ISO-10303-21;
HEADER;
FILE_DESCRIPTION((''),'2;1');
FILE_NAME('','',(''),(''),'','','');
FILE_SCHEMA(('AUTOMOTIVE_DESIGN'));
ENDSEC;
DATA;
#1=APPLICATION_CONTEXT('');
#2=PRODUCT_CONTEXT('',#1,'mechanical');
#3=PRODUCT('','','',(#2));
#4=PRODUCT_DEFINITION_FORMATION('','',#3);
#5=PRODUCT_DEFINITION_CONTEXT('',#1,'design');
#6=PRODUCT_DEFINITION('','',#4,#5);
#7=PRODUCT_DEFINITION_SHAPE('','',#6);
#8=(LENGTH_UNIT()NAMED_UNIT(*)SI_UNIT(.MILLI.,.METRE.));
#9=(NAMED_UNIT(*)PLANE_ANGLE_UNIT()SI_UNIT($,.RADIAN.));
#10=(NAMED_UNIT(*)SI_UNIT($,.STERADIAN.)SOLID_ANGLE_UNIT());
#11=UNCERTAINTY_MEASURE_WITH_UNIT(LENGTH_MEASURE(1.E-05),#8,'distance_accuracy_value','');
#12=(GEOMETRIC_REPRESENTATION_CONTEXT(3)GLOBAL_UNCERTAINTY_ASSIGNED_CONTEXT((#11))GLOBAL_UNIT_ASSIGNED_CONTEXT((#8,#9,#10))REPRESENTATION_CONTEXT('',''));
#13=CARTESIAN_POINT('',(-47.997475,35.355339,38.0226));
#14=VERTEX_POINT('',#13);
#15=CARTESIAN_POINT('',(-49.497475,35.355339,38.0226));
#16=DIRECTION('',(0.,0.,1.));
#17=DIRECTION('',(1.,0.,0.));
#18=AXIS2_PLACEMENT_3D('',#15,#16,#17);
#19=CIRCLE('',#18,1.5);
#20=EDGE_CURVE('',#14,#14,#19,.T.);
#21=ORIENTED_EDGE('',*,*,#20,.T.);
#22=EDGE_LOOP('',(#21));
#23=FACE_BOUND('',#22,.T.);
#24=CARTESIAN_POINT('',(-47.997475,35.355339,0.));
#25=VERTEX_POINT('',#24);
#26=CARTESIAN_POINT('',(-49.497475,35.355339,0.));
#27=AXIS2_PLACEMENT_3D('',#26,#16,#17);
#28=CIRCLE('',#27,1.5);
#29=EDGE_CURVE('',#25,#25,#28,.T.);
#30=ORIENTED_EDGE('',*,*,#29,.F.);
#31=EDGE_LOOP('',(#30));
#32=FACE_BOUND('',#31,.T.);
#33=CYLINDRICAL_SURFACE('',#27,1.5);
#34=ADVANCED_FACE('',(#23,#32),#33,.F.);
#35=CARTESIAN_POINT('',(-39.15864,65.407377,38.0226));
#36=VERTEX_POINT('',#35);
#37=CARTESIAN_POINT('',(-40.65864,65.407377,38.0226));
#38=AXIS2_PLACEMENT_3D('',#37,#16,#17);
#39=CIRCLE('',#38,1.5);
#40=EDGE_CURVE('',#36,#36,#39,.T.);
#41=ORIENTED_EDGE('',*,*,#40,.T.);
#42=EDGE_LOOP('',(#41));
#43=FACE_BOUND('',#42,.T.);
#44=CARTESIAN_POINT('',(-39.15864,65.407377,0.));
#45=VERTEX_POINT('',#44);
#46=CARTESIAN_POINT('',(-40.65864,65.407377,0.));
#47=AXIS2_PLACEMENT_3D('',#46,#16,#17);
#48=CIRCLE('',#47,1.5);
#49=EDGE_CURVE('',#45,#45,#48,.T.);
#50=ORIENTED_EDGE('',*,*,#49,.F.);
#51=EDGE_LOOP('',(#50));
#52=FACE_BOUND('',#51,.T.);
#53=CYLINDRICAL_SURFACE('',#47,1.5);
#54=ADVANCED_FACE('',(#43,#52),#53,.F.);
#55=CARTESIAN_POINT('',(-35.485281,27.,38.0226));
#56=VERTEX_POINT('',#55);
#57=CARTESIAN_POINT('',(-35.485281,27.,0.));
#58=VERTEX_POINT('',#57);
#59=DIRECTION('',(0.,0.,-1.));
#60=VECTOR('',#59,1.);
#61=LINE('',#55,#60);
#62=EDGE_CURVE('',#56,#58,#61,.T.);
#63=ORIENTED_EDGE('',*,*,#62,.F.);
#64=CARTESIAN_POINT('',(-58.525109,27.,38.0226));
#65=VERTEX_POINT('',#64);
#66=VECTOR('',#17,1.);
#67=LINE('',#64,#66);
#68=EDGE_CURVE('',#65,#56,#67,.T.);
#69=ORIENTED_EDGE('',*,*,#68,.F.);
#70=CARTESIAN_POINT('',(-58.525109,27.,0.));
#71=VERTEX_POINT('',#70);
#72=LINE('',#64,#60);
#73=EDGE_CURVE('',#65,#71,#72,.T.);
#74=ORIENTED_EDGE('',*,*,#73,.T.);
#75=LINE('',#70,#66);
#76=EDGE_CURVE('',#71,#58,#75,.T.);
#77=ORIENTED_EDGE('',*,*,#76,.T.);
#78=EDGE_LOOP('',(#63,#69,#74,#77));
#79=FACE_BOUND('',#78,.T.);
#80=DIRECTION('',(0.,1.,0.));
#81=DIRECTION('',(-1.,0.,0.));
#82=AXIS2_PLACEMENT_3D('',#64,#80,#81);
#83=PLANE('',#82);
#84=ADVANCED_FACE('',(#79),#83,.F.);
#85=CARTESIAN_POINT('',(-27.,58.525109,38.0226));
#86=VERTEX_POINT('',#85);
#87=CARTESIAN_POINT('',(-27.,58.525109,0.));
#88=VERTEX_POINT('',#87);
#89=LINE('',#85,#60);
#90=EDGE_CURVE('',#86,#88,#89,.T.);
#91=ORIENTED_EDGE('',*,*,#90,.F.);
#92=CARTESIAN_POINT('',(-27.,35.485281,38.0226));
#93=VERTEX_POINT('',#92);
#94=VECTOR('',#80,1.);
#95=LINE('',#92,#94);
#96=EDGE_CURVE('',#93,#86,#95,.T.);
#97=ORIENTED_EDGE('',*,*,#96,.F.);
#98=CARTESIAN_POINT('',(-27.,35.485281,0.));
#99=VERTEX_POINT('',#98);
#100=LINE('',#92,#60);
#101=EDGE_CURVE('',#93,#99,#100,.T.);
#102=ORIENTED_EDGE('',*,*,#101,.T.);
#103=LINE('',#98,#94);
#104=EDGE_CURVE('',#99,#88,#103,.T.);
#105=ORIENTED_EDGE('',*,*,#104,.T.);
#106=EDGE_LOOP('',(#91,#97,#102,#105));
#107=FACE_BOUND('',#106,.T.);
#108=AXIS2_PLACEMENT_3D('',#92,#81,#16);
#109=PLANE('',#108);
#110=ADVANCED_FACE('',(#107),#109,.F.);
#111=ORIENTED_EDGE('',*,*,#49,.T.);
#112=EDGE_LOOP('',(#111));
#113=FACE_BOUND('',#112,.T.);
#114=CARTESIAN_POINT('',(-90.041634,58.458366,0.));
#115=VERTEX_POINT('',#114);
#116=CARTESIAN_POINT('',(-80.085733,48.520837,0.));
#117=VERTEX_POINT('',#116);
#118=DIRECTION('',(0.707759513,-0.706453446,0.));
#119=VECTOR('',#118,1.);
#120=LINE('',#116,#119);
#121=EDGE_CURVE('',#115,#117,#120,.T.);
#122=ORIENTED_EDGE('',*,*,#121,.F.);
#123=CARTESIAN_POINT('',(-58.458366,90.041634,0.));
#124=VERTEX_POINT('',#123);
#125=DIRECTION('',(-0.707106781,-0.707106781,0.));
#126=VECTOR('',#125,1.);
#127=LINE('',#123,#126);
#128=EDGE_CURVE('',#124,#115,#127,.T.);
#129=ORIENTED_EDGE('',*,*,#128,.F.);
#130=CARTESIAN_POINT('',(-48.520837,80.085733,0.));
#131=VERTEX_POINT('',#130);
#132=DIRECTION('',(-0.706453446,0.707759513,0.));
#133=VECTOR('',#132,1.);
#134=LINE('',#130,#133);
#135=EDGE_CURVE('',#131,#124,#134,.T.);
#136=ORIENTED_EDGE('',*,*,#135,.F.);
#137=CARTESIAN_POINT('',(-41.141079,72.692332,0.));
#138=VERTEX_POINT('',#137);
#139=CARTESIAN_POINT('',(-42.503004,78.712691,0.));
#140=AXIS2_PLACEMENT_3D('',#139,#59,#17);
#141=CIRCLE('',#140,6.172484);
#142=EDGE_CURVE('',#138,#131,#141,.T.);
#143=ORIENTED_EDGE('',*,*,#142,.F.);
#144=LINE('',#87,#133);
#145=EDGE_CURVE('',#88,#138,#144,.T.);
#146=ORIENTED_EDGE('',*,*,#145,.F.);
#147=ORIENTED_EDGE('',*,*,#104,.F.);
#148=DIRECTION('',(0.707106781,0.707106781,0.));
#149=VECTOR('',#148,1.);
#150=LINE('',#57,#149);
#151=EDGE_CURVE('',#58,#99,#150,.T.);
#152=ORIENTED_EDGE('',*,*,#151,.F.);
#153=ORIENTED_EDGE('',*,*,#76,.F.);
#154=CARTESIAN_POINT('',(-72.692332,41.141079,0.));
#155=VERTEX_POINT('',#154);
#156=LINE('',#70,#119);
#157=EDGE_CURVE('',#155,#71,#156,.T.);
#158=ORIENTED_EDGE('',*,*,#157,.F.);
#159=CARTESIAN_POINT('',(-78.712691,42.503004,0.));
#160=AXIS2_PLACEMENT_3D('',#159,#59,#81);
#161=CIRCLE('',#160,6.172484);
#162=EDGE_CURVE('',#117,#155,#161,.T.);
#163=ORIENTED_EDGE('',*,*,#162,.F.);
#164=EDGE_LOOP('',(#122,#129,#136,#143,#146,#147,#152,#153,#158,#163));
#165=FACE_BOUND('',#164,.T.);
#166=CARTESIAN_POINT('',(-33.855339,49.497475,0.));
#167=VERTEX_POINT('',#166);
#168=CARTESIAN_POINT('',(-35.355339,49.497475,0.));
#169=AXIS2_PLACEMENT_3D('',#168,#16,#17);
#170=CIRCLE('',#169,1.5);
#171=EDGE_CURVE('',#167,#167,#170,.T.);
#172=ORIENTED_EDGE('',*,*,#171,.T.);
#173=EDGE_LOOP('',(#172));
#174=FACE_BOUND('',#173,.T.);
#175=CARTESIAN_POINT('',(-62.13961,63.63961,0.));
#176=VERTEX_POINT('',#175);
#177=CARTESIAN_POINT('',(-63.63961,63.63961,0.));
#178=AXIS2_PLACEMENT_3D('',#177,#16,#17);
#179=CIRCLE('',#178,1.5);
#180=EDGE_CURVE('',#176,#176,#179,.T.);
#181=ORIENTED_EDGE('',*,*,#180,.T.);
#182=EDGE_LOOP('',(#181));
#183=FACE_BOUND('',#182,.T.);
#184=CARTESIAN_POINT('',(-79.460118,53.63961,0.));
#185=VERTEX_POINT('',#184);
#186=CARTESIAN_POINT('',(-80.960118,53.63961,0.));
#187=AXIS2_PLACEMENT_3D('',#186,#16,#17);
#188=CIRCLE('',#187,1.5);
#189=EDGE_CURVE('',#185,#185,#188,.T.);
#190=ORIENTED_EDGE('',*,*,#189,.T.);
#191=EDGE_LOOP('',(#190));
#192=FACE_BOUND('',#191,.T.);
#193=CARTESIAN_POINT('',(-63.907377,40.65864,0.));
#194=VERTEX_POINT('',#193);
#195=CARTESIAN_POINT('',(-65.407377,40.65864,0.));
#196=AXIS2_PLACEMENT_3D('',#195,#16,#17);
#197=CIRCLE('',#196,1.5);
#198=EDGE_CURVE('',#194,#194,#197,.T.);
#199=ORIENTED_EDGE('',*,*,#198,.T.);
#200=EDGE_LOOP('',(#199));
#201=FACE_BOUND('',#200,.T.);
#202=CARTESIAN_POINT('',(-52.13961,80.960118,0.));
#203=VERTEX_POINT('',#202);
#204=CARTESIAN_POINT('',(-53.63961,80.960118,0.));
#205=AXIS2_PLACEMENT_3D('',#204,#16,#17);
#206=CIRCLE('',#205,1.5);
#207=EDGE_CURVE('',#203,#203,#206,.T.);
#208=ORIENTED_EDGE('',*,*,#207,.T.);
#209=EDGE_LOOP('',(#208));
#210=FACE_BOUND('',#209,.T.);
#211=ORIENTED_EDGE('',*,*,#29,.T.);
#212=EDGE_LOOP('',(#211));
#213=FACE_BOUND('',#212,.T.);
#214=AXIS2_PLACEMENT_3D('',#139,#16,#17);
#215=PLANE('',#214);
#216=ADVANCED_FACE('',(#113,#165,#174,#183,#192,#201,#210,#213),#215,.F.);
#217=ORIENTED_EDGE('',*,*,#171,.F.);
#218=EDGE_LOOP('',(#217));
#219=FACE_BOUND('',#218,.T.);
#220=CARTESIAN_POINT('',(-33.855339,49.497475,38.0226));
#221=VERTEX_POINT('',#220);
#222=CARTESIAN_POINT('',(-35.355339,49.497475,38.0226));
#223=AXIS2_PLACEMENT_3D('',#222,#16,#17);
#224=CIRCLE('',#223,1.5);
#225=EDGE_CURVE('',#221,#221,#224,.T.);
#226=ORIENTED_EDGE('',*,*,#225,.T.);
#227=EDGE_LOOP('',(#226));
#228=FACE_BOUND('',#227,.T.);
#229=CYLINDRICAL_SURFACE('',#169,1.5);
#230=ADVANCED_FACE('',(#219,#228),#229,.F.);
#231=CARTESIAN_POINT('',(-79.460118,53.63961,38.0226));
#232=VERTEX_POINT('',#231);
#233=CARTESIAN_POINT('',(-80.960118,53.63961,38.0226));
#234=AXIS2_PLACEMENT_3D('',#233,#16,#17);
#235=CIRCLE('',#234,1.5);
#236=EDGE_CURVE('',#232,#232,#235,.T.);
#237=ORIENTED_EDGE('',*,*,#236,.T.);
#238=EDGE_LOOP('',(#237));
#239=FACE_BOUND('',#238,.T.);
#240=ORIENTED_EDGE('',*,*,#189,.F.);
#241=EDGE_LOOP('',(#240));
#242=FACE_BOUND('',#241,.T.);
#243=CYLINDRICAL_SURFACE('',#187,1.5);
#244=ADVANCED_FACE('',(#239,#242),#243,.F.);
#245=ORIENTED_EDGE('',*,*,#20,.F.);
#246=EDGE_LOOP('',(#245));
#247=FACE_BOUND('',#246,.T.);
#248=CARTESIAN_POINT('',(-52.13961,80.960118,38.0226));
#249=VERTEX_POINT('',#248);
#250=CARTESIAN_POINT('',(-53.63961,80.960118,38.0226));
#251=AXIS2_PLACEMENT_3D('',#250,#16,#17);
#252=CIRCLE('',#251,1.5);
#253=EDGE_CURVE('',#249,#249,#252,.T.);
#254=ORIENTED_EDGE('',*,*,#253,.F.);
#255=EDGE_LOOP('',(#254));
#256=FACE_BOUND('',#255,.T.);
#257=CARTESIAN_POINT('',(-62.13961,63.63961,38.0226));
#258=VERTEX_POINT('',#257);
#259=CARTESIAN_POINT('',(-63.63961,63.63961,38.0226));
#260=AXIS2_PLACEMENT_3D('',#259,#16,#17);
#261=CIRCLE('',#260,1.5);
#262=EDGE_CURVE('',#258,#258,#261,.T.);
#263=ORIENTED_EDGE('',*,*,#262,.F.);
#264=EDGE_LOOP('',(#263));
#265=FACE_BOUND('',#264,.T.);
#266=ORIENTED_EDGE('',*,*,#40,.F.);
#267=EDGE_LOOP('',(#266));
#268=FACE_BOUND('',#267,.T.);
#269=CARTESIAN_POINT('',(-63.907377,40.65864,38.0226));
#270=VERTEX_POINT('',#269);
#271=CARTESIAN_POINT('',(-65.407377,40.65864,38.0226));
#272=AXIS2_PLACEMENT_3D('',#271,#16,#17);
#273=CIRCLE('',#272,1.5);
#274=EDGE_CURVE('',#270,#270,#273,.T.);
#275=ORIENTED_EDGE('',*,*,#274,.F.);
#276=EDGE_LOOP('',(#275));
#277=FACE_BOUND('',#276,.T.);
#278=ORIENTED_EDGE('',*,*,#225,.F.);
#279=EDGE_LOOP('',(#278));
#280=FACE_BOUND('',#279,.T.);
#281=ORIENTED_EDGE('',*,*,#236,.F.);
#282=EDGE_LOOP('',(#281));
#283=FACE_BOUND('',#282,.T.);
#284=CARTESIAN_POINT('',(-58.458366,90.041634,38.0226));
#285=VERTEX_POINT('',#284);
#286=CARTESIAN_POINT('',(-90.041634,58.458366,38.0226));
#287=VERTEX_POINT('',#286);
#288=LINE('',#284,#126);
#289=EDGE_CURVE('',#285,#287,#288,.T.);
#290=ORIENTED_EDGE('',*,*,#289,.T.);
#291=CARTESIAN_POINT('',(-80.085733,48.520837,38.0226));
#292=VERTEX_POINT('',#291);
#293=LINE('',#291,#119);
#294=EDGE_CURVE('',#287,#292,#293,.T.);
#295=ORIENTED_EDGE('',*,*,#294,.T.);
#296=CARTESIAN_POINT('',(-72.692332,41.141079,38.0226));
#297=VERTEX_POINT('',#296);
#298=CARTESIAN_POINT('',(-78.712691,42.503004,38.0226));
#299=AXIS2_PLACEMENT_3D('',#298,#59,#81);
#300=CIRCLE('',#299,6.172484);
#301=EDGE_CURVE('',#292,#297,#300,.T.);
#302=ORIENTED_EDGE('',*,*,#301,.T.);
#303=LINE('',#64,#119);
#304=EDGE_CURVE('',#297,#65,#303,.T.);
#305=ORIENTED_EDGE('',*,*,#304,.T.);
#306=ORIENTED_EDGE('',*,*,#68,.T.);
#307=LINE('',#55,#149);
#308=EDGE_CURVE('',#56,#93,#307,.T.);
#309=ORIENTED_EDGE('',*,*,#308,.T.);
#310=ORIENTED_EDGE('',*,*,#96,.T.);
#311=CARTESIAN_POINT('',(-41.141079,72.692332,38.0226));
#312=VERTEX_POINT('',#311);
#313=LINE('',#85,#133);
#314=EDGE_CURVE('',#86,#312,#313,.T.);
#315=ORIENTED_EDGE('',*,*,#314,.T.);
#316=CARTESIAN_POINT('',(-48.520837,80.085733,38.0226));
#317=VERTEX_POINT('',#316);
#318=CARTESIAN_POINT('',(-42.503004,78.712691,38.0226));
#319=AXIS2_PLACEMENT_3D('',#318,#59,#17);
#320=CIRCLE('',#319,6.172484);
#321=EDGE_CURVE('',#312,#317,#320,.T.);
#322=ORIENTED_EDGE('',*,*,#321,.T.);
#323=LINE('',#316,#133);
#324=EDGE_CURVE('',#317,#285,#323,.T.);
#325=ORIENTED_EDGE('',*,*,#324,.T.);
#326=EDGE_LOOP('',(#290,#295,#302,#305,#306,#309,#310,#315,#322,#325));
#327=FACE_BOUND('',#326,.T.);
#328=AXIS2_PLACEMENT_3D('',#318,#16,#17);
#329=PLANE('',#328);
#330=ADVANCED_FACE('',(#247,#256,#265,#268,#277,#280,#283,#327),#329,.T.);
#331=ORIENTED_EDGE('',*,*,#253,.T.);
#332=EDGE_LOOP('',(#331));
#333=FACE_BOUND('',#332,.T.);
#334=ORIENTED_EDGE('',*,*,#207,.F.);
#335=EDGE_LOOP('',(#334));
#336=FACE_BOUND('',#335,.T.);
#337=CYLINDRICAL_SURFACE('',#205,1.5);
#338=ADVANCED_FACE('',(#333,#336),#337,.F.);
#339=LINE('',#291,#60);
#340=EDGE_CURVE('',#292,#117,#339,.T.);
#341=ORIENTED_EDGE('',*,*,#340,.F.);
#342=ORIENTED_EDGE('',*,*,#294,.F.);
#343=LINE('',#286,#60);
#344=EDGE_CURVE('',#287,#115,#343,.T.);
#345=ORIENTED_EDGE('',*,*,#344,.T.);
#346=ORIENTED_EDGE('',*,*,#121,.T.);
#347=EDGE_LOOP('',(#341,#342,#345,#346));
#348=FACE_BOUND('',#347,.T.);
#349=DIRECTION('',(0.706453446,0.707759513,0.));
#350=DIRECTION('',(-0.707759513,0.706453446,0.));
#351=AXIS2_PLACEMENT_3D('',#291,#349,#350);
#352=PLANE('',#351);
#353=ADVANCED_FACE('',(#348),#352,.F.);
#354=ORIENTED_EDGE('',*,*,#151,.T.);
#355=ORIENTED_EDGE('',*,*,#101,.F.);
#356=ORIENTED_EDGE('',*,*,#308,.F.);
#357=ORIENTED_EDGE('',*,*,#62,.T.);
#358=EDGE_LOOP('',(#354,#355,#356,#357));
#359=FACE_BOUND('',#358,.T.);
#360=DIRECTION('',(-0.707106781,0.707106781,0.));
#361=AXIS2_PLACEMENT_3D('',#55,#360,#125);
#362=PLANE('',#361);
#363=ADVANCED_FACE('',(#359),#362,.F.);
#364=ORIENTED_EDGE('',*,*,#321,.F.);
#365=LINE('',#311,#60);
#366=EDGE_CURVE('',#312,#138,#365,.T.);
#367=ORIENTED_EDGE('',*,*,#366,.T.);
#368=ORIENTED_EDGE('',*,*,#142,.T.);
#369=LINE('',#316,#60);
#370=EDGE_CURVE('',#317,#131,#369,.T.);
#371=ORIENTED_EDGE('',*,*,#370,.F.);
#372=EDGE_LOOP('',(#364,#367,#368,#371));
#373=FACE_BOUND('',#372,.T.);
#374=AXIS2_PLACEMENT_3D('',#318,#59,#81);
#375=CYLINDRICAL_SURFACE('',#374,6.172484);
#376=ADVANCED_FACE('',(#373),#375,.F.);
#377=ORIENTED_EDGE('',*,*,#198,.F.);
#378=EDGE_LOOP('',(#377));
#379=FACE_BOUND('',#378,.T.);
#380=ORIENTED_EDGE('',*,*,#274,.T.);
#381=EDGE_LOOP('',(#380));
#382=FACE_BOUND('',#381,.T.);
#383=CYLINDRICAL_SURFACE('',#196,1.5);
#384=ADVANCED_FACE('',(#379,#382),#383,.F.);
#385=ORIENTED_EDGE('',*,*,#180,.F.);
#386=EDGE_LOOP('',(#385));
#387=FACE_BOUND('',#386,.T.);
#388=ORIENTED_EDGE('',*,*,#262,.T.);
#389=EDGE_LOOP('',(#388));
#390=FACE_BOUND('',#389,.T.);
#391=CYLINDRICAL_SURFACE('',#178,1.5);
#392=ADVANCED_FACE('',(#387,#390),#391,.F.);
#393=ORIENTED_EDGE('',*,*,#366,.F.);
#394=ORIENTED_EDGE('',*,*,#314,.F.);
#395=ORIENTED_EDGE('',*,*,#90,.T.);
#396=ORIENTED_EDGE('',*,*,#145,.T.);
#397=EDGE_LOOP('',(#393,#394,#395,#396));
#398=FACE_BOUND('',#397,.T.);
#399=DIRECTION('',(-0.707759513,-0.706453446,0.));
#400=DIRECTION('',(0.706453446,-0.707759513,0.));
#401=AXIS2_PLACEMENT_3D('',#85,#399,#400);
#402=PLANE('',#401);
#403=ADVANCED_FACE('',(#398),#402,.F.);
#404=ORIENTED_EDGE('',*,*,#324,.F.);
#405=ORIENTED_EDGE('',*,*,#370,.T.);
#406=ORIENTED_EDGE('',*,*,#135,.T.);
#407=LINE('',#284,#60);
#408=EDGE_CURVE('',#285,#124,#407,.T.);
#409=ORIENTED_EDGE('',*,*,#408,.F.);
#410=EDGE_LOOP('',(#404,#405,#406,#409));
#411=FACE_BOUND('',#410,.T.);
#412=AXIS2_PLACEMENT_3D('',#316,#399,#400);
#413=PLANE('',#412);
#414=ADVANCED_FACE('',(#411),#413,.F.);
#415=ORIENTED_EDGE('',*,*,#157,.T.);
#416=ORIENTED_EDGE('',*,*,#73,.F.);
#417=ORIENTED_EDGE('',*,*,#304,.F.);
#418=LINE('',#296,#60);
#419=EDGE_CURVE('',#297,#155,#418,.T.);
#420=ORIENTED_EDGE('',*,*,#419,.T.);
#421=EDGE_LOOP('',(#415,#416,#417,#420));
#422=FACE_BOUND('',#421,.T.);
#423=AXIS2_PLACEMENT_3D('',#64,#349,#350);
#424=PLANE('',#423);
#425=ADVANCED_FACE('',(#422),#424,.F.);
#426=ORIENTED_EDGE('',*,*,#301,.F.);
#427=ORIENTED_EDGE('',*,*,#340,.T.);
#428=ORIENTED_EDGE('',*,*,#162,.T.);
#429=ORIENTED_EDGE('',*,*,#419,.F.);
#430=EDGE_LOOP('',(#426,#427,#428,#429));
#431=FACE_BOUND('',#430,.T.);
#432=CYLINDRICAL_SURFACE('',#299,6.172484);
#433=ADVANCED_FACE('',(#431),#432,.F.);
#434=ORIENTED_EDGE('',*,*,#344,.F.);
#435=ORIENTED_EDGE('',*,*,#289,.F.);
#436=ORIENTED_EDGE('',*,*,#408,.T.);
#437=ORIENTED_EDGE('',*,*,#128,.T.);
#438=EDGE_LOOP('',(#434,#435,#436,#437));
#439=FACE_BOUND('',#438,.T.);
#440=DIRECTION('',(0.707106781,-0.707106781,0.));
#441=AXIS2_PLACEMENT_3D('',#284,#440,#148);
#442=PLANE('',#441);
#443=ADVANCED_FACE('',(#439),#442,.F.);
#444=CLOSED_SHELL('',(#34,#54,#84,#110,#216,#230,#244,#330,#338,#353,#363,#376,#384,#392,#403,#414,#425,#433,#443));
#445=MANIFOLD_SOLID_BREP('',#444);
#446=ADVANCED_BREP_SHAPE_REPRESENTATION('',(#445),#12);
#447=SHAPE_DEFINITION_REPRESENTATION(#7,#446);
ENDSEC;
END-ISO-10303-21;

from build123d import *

# Parameters (mm, degrees)
BOSS_EXTRUDE1_DEPTH = 38.0226
SKETCH4_R           = 1.5
CUT_EXTRUDE2_DEPTH  = 133.893603459


with BuildPart() as part:
    # Sketch1 → Boss-Extrude1 (new body)
    with BuildSketch(Plane.XY):
        with BuildLine():
            Line((-58.458365937, 90.041634063), (-90.041634063, 58.458365937))
            Line((-90.041634063, 58.458365937), (-80.085733054, 48.520837101))
            ThreePointArc((-80.085733054, 48.520837101), (-74.352118178, 46.871638295), (-72.692331868, 41.141079365))
            Line((-72.692331868, 41.141079365), (-58.525108947, 27))
            Line((-58.525108947, 27), (-35.485281374, 27))
            Line((-35.485281374, 27), (-27, 35.485281374))
            Line((-27, 35.485281374), (-27, 58.525108947))
            Line((-27, 58.525108947), (-41.141079365, 72.692331868))
            ThreePointArc((-41.141079365, 72.692331868), (-46.871638295, 74.352118178), (-48.520837101, 80.085733054))
            Line((-48.520837101, 80.085733054), (-58.458365937, 90.041634063))
        make_face()
    extrude(amount=BOSS_EXTRUDE1_DEPTH)

    # Sketch4 → Cut-Extrude2 (cut, through all)
    with BuildSketch(Plane.XY.offset(38.0226)):
        with Locations((-63.639610307, 63.639610307)):
            Circle(SKETCH4_R)
        with Locations((-80.960118382, 53.639610307)):
            Circle(SKETCH4_R)
        with Locations((-53.639610307, 80.960118382)):
            Circle(SKETCH4_R)
        with Locations((-40.658639918, 65.40737726)):
            Circle(SKETCH4_R)
        with Locations((-65.40737726, 40.658639918)):
            Circle(SKETCH4_R)
        with Locations((-49.497474683, 35.355339059)):
            Circle(SKETCH4_R)
        with Locations((-35.355339059, 49.497474683)):
            Circle(SKETCH4_R)
    extrude(amount=-CUT_EXTRUDE2_DEPTH, mode=Mode.SUBTRACT)


solid = part.part
